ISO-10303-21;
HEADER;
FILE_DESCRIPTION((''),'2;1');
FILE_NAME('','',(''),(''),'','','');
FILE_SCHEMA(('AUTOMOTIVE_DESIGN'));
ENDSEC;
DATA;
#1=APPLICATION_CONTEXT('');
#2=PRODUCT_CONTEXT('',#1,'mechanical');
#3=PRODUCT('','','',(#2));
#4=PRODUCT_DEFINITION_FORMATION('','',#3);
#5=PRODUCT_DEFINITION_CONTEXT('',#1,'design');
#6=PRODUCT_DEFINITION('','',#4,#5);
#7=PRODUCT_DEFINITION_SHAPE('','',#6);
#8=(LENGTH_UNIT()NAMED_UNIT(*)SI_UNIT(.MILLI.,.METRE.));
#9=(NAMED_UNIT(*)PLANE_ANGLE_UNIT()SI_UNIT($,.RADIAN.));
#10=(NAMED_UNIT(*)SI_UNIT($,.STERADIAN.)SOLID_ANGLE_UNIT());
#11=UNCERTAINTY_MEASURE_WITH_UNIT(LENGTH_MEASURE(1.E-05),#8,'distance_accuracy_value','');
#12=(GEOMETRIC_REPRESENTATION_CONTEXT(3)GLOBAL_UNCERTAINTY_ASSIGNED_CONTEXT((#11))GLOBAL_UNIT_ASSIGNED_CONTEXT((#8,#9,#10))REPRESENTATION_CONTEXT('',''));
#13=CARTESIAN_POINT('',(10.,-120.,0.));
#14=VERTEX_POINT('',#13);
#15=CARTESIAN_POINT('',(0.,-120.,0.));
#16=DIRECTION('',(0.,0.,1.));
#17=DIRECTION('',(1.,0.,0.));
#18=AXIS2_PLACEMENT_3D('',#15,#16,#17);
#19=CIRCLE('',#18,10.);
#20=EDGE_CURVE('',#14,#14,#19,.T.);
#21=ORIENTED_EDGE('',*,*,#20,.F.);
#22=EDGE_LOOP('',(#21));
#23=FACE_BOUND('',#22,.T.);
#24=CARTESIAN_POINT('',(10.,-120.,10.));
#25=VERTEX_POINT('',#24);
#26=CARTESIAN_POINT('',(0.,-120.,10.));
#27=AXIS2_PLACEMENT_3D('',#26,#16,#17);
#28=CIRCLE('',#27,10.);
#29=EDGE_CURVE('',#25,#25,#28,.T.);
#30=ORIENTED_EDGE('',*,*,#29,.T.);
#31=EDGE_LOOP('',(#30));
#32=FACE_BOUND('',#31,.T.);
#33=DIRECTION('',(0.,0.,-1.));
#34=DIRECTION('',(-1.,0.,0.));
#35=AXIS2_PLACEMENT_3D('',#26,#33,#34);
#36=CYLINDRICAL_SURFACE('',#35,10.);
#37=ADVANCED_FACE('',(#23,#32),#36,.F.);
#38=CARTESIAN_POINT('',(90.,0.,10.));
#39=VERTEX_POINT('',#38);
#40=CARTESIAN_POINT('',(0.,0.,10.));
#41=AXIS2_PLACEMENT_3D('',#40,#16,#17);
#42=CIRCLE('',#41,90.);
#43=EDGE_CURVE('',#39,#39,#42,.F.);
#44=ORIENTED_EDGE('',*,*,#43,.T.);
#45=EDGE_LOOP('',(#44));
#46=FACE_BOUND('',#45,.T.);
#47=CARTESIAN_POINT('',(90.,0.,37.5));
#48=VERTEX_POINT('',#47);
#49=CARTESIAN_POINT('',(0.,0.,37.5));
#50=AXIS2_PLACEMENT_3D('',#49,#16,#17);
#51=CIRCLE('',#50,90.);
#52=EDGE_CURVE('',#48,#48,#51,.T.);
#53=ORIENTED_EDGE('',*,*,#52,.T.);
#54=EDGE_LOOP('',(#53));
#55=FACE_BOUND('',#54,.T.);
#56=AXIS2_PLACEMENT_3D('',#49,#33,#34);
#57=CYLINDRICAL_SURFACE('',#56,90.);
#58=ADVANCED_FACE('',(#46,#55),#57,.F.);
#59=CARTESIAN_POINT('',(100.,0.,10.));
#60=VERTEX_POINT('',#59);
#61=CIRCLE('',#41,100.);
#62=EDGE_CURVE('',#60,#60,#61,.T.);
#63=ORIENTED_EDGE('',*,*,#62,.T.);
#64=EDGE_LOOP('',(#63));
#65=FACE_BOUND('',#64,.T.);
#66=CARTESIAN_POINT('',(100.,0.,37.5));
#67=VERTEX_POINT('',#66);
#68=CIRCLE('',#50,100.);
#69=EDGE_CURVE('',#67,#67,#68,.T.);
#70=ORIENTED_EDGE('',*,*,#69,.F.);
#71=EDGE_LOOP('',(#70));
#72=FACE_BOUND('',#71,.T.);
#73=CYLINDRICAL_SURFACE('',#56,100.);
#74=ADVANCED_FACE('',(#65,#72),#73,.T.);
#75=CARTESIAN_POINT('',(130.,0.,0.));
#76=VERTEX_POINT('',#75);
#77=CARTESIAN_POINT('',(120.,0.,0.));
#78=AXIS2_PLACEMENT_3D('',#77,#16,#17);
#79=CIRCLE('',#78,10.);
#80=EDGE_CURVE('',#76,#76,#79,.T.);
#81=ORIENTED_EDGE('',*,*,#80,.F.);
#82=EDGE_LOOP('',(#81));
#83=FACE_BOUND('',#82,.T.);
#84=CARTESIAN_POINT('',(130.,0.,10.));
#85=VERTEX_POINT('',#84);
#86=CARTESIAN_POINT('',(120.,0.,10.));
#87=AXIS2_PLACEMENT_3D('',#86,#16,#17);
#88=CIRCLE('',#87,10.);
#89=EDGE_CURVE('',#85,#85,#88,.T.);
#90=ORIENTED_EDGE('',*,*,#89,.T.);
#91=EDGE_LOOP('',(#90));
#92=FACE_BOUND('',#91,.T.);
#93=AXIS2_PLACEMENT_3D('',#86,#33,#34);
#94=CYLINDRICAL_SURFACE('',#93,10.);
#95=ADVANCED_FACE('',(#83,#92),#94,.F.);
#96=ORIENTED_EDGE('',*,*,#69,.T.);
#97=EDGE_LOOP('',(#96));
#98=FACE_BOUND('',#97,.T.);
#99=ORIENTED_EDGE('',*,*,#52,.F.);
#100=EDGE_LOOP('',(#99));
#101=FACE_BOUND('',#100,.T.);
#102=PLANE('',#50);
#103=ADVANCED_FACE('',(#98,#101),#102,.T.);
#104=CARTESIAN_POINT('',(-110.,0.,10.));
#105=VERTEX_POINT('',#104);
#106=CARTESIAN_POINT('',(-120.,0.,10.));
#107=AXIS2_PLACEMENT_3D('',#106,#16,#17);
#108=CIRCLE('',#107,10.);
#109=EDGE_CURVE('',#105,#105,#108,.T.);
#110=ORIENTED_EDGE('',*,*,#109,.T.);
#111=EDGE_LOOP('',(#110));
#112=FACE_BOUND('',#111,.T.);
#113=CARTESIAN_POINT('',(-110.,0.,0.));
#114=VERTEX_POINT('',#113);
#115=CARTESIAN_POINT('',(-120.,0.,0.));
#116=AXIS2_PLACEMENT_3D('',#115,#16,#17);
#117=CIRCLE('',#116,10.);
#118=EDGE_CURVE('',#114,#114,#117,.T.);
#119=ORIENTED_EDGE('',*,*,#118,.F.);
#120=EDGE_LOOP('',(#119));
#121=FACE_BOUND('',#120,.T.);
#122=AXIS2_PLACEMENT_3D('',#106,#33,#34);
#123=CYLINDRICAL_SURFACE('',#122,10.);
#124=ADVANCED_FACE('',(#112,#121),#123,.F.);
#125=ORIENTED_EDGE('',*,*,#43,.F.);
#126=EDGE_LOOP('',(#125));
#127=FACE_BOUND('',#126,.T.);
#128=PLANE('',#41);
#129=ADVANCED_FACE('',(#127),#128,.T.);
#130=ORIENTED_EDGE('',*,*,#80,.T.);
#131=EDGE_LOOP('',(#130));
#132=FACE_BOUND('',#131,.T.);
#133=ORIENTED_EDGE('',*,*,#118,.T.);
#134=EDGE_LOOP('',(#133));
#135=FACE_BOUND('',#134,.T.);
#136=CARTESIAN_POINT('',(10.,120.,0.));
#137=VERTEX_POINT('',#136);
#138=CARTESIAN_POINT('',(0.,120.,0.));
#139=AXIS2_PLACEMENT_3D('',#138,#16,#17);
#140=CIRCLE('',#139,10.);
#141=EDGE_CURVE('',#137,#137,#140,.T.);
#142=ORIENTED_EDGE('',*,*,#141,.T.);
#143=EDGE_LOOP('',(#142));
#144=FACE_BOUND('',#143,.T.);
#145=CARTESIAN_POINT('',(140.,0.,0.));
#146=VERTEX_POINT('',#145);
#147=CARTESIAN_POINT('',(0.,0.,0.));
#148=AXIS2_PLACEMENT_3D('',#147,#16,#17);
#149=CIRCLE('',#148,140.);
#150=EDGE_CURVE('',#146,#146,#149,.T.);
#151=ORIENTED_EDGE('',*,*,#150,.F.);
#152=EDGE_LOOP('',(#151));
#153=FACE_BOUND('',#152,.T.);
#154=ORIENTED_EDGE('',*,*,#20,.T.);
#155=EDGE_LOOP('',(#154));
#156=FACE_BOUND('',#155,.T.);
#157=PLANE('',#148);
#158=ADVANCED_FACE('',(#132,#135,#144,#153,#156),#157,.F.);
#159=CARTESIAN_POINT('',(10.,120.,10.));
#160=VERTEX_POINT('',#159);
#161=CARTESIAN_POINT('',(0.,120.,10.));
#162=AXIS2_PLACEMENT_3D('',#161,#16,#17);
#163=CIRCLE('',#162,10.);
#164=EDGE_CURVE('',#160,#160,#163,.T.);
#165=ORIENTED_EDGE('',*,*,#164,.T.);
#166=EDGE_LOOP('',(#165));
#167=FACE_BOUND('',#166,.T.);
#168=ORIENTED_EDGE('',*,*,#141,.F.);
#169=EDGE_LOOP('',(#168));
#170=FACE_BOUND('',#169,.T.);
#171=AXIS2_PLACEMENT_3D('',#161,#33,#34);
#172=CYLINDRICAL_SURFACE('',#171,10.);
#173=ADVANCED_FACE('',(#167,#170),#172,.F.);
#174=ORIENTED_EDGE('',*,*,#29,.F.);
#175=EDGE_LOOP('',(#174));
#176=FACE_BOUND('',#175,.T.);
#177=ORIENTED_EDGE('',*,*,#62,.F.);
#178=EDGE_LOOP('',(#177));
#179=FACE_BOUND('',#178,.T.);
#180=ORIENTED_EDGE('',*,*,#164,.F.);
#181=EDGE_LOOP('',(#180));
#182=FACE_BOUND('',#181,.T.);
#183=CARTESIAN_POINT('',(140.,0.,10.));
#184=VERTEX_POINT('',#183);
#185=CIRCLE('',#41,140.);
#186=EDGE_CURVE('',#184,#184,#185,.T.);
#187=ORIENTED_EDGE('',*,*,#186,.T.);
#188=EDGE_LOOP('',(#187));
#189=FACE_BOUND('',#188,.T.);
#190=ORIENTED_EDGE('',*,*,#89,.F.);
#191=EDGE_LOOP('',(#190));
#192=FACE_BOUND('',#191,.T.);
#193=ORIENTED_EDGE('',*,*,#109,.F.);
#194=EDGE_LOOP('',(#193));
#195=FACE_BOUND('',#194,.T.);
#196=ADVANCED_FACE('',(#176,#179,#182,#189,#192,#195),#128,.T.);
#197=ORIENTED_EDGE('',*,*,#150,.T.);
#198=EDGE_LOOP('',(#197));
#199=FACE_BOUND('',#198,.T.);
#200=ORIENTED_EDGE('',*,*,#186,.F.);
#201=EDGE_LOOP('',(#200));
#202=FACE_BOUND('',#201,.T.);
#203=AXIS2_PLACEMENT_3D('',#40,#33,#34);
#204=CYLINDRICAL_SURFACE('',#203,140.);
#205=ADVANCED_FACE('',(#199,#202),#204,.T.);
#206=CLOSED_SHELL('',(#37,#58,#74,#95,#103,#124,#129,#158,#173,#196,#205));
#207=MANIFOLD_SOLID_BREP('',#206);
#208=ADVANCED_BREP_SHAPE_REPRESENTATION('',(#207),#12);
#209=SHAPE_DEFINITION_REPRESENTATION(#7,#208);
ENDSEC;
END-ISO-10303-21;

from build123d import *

# Parameters (mm, degrees)
SKETCH_1_R      = 140
SKETCH_1_R_2    = 10
EXTRUDE_1_DEPTH = 10
SKETCH_2_R      = 100
SKETCH_2_R_2    = 90
EXTRUDE_2_DEPTH = 27.5


with BuildPart() as part:
    # 草图1 → 拉伸1 (new body)
    with BuildSketch(Plane.XY):
        Circle(SKETCH_1_R)
        with Locations((0, 120)):
            Circle(SKETCH_1_R_2, mode=Mode.SUBTRACT)
        with Locations((-120, 0)):
            Circle(SKETCH_1_R_2, mode=Mode.SUBTRACT)
        with Locations((120, 0)):
            Circle(SKETCH_1_R_2, mode=Mode.SUBTRACT)
        with Locations((0, -120)):
            Circle(SKETCH_1_R_2, mode=Mode.SUBTRACT)
    extrude(amount=EXTRUDE_1_DEPTH)

    # 草图2 → 拉伸2 (add)
    with BuildSketch(Plane.XY.offset(10)):
        Circle(SKETCH_2_R)
        Circle(SKETCH_2_R_2, mode=Mode.SUBTRACT)
    extrude(amount=EXTRUDE_2_DEPTH)


solid = part.part
